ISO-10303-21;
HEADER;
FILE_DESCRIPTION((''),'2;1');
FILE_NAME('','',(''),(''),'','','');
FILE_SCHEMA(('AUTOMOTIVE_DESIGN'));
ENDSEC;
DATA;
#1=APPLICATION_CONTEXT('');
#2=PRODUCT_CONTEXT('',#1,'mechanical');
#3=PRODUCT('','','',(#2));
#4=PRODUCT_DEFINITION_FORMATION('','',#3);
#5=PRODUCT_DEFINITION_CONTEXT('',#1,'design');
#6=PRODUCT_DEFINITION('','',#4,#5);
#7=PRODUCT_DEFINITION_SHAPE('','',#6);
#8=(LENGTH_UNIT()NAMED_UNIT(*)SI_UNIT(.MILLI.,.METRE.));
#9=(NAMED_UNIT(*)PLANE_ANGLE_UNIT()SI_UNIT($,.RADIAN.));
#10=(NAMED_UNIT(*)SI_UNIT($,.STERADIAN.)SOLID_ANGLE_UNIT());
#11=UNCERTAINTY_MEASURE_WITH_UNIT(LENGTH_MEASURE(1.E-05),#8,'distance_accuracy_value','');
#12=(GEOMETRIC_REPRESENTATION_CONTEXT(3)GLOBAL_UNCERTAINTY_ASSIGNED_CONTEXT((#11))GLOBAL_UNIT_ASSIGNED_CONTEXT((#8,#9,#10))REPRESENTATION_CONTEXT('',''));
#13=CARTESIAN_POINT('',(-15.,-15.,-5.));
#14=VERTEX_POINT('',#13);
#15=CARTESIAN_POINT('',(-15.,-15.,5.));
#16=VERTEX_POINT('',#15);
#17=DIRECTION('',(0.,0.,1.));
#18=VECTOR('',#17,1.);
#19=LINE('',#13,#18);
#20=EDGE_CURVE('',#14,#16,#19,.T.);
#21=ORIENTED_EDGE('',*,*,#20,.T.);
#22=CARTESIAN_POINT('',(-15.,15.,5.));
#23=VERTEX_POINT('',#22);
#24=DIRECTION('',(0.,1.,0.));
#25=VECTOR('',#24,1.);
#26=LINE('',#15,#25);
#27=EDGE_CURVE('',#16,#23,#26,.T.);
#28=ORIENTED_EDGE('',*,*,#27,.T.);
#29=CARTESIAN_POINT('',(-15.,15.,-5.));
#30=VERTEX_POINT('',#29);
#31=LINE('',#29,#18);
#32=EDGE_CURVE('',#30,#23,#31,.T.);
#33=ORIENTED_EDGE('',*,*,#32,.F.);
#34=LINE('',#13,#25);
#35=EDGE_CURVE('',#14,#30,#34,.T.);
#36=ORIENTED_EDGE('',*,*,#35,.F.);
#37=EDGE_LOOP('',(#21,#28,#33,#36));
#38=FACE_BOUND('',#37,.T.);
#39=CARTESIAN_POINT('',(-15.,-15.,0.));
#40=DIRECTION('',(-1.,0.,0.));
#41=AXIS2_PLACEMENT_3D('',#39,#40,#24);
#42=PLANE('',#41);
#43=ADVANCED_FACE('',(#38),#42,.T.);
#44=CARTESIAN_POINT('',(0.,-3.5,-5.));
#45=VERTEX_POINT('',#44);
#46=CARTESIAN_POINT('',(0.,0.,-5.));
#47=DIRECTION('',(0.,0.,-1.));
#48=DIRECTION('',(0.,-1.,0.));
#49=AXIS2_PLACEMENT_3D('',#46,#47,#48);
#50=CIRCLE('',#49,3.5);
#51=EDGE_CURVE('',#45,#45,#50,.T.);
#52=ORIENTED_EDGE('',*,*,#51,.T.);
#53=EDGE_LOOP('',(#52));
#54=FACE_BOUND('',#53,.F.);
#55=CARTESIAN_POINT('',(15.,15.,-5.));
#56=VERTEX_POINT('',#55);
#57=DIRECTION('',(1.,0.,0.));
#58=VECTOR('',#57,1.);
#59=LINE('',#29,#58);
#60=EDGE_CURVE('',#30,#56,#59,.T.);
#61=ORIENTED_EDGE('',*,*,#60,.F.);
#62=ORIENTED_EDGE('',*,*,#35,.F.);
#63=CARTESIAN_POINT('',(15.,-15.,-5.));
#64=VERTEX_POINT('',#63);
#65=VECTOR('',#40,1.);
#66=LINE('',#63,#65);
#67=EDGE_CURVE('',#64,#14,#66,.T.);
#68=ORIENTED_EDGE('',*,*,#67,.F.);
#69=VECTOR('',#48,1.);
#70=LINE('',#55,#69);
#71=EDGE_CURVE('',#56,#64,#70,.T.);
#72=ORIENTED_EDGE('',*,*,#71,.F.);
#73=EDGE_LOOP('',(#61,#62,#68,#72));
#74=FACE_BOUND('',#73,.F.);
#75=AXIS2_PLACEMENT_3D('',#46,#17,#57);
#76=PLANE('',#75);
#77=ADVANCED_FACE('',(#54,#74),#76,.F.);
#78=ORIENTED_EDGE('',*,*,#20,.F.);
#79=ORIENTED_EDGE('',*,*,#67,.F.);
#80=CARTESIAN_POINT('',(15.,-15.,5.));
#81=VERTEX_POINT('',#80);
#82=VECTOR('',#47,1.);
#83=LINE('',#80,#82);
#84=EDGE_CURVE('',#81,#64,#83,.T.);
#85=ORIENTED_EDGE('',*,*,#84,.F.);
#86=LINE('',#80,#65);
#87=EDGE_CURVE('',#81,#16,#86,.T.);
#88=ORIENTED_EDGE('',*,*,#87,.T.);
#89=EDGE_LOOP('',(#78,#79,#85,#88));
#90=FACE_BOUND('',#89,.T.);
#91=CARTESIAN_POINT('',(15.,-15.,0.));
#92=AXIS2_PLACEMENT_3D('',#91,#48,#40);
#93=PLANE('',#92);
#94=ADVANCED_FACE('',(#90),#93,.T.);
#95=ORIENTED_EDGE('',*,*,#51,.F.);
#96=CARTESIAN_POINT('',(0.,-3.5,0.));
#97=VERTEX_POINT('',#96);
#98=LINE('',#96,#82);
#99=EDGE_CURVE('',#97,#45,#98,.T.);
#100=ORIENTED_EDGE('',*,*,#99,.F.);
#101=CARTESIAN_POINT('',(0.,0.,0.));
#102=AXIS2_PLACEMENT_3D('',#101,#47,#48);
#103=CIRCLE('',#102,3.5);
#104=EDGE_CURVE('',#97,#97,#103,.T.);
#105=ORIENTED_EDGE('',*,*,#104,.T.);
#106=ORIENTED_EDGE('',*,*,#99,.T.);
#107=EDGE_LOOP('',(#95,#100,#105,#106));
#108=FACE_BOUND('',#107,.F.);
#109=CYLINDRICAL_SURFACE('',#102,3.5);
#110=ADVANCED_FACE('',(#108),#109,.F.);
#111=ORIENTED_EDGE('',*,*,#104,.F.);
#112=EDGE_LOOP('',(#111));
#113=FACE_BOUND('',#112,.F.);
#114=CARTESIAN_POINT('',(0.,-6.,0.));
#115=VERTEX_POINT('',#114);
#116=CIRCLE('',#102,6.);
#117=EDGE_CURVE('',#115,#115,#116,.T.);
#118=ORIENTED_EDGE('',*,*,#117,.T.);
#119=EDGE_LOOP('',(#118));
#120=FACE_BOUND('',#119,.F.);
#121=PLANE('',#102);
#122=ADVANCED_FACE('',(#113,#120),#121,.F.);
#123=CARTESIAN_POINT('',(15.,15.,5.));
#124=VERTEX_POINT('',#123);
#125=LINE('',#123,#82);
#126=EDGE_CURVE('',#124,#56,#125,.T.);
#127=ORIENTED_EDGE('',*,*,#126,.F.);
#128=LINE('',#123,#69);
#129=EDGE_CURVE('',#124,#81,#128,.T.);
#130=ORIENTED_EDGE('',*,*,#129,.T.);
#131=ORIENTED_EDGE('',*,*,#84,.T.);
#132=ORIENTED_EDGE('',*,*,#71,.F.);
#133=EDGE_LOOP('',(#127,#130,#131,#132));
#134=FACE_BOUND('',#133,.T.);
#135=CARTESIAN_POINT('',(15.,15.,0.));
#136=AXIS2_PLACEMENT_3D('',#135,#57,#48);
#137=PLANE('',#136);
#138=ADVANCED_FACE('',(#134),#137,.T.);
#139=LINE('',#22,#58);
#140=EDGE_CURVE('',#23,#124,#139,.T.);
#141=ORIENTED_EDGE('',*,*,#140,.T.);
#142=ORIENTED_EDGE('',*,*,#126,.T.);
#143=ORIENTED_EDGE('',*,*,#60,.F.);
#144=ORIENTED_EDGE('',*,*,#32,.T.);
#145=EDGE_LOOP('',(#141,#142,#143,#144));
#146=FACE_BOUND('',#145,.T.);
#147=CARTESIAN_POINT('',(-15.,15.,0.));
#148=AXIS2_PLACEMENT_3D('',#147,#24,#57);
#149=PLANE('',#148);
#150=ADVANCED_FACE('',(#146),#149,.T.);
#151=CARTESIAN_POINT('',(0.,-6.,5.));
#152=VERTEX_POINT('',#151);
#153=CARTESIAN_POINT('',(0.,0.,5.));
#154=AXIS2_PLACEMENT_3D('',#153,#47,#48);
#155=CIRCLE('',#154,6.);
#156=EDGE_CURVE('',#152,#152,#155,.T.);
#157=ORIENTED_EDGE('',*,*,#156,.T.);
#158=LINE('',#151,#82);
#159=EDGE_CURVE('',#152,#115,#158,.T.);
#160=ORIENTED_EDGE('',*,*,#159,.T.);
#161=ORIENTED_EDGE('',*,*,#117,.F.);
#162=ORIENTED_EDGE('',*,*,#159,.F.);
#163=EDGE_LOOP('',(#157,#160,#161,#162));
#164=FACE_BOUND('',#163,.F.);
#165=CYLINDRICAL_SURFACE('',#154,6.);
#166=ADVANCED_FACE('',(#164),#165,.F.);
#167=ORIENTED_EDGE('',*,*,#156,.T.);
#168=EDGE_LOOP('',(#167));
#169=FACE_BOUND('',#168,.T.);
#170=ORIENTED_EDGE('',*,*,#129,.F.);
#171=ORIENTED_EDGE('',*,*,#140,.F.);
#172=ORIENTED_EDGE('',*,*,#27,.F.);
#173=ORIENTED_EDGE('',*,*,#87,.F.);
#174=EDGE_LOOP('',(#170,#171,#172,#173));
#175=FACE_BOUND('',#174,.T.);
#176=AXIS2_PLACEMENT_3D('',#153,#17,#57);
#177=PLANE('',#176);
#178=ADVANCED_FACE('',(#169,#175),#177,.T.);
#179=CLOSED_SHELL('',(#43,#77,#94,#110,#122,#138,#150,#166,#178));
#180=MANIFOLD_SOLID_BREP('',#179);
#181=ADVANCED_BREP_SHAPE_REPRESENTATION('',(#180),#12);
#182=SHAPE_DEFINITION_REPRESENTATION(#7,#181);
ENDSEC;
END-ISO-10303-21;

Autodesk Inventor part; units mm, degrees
ref_plane "YZ Plane" through (0, 0, 0) normal (1, 0, 0) x (0, 1, 0)
ref_plane "XZ Plane" through (0, 0, 0) normal (0, 1, 0) x (-1, 0, 0)
ref_plane "XY Plane" through (0, 0, 0) normal (0, 0, 1) x (1, 0, 0)
sketch "Sketch1" plane through (0, 0, 0) normal (0, 0, 1) x (1, 0, 0)
  line L0 (-15, 15) -> (15, 15)
  line L1 (15, 15) -> (15, -15)
  line L2 (15, -15) -> (-15, -15)
  line L3 (-15, -15) -> (-15, 15)
  line L4 (-15, 15) -> (15, -15) construction
  line L5 (15, 15) -> (-15, -15) construction
  point P0 (0, 0)
  dimension "d0" = 30
  dimension "d1" = 30
extrude "Extrusion1" add sketch "Sketch1" along normal mid plane 10
sketch "Sketch2" plane through (0, 0, 5) normal (0, 0, 1) x (1, 0, 0)
  line L0 (-15, 15) -> (-15, -15) projected
  line L1 (15, 15) -> (-15, 15) projected
  point P0 (0, 0)
  point P1 (0, 0)
  point P2 (0, 15)
  dimension "d13" = 15
  dimension "d15" = 15
hole "Hole1" at (0, 0, 5) direction (0, 0, -1) diameter 7 end through all counterbore diameter 12 counterbore depth 5
properties part number "HCMUTE-CDT23-GOI_CHONG_QTAI" material "Stainless Steel"
